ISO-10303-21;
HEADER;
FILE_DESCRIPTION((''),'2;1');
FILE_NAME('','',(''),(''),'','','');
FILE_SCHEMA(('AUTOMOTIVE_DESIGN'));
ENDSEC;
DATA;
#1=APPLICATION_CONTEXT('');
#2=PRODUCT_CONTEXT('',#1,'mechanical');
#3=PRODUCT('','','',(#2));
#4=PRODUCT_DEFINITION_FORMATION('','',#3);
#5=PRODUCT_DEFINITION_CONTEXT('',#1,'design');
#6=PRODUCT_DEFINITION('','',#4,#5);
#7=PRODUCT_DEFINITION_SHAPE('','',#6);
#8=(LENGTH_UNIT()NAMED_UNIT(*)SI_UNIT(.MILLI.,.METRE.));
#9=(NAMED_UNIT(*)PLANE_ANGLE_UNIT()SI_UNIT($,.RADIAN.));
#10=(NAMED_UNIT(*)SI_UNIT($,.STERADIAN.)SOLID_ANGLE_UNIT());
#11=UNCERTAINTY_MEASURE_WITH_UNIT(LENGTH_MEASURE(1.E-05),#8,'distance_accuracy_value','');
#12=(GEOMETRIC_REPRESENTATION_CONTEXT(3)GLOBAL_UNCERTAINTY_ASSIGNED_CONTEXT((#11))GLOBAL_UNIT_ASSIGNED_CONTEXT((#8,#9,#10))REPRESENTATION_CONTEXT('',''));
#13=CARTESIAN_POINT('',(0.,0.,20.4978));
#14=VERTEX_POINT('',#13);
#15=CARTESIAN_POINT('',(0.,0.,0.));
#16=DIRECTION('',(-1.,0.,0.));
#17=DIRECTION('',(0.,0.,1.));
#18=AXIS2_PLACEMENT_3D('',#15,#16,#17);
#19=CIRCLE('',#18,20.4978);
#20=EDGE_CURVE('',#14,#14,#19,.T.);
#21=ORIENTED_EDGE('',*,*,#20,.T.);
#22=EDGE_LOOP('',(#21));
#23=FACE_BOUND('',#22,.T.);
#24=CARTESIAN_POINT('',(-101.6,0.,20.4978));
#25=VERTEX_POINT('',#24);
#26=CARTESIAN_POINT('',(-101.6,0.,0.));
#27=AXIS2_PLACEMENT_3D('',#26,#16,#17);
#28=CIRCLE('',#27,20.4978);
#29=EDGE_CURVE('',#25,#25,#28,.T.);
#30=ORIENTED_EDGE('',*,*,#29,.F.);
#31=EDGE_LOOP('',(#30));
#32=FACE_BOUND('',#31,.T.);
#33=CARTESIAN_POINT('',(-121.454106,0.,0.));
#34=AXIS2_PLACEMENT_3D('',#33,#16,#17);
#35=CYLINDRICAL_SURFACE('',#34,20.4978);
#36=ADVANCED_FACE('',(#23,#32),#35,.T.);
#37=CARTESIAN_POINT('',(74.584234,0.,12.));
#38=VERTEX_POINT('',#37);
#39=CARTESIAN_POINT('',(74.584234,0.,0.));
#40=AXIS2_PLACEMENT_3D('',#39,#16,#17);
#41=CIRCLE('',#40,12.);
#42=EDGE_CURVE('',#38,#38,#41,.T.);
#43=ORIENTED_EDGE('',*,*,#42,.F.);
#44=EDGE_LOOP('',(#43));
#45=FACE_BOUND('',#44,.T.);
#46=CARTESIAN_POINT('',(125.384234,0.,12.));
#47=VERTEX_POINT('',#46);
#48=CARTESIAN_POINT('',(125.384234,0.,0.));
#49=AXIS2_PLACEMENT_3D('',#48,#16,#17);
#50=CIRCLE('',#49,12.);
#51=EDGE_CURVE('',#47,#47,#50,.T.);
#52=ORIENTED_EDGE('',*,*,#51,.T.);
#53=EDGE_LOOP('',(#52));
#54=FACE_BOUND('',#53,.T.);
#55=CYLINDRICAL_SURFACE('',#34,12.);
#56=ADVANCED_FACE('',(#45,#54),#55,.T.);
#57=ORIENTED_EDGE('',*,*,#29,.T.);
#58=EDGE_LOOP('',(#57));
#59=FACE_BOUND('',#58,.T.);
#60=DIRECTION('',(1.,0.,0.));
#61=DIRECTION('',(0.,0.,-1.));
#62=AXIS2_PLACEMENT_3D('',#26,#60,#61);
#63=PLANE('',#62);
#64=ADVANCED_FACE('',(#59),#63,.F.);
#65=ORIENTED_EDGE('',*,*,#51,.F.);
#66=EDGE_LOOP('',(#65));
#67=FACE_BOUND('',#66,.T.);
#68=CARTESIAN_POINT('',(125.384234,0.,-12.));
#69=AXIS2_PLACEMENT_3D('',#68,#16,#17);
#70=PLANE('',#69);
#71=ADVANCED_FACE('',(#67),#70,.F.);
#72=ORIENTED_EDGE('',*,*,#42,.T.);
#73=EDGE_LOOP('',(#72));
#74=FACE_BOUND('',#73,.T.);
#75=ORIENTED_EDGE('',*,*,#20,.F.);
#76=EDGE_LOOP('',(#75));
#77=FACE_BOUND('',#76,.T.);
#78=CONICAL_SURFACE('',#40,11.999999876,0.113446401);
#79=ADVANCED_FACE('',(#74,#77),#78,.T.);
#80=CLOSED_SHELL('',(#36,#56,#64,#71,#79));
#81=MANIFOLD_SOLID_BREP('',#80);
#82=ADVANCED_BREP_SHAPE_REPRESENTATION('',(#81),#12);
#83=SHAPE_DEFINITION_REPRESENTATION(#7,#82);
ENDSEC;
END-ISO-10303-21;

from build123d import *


with BuildPart() as part:
    # Sketch1 → Revolve1 (revolve)
    with BuildSketch(Plane(origin=(0, 0, 0), x_dir=(1, 0, 0), z_dir=(0, 1, 0)), mode=Mode.PRIVATE) as revolve1_sk:
        Polygon((-101.6, 20.4978), (0, 20.4978), (74.58423447, 11.999999876), (125.38423447, 11.999999876), (125.38423447, 0), (-101.6, 0), align=None)
    revolve(revolve1_sk.sketch.rotate(Axis((-121.454105892, 0, 0), (1, 0, 0)), 180), axis=Axis((-121.454105892, 0, 0), (1, 0, 0)))


solid = part.part
